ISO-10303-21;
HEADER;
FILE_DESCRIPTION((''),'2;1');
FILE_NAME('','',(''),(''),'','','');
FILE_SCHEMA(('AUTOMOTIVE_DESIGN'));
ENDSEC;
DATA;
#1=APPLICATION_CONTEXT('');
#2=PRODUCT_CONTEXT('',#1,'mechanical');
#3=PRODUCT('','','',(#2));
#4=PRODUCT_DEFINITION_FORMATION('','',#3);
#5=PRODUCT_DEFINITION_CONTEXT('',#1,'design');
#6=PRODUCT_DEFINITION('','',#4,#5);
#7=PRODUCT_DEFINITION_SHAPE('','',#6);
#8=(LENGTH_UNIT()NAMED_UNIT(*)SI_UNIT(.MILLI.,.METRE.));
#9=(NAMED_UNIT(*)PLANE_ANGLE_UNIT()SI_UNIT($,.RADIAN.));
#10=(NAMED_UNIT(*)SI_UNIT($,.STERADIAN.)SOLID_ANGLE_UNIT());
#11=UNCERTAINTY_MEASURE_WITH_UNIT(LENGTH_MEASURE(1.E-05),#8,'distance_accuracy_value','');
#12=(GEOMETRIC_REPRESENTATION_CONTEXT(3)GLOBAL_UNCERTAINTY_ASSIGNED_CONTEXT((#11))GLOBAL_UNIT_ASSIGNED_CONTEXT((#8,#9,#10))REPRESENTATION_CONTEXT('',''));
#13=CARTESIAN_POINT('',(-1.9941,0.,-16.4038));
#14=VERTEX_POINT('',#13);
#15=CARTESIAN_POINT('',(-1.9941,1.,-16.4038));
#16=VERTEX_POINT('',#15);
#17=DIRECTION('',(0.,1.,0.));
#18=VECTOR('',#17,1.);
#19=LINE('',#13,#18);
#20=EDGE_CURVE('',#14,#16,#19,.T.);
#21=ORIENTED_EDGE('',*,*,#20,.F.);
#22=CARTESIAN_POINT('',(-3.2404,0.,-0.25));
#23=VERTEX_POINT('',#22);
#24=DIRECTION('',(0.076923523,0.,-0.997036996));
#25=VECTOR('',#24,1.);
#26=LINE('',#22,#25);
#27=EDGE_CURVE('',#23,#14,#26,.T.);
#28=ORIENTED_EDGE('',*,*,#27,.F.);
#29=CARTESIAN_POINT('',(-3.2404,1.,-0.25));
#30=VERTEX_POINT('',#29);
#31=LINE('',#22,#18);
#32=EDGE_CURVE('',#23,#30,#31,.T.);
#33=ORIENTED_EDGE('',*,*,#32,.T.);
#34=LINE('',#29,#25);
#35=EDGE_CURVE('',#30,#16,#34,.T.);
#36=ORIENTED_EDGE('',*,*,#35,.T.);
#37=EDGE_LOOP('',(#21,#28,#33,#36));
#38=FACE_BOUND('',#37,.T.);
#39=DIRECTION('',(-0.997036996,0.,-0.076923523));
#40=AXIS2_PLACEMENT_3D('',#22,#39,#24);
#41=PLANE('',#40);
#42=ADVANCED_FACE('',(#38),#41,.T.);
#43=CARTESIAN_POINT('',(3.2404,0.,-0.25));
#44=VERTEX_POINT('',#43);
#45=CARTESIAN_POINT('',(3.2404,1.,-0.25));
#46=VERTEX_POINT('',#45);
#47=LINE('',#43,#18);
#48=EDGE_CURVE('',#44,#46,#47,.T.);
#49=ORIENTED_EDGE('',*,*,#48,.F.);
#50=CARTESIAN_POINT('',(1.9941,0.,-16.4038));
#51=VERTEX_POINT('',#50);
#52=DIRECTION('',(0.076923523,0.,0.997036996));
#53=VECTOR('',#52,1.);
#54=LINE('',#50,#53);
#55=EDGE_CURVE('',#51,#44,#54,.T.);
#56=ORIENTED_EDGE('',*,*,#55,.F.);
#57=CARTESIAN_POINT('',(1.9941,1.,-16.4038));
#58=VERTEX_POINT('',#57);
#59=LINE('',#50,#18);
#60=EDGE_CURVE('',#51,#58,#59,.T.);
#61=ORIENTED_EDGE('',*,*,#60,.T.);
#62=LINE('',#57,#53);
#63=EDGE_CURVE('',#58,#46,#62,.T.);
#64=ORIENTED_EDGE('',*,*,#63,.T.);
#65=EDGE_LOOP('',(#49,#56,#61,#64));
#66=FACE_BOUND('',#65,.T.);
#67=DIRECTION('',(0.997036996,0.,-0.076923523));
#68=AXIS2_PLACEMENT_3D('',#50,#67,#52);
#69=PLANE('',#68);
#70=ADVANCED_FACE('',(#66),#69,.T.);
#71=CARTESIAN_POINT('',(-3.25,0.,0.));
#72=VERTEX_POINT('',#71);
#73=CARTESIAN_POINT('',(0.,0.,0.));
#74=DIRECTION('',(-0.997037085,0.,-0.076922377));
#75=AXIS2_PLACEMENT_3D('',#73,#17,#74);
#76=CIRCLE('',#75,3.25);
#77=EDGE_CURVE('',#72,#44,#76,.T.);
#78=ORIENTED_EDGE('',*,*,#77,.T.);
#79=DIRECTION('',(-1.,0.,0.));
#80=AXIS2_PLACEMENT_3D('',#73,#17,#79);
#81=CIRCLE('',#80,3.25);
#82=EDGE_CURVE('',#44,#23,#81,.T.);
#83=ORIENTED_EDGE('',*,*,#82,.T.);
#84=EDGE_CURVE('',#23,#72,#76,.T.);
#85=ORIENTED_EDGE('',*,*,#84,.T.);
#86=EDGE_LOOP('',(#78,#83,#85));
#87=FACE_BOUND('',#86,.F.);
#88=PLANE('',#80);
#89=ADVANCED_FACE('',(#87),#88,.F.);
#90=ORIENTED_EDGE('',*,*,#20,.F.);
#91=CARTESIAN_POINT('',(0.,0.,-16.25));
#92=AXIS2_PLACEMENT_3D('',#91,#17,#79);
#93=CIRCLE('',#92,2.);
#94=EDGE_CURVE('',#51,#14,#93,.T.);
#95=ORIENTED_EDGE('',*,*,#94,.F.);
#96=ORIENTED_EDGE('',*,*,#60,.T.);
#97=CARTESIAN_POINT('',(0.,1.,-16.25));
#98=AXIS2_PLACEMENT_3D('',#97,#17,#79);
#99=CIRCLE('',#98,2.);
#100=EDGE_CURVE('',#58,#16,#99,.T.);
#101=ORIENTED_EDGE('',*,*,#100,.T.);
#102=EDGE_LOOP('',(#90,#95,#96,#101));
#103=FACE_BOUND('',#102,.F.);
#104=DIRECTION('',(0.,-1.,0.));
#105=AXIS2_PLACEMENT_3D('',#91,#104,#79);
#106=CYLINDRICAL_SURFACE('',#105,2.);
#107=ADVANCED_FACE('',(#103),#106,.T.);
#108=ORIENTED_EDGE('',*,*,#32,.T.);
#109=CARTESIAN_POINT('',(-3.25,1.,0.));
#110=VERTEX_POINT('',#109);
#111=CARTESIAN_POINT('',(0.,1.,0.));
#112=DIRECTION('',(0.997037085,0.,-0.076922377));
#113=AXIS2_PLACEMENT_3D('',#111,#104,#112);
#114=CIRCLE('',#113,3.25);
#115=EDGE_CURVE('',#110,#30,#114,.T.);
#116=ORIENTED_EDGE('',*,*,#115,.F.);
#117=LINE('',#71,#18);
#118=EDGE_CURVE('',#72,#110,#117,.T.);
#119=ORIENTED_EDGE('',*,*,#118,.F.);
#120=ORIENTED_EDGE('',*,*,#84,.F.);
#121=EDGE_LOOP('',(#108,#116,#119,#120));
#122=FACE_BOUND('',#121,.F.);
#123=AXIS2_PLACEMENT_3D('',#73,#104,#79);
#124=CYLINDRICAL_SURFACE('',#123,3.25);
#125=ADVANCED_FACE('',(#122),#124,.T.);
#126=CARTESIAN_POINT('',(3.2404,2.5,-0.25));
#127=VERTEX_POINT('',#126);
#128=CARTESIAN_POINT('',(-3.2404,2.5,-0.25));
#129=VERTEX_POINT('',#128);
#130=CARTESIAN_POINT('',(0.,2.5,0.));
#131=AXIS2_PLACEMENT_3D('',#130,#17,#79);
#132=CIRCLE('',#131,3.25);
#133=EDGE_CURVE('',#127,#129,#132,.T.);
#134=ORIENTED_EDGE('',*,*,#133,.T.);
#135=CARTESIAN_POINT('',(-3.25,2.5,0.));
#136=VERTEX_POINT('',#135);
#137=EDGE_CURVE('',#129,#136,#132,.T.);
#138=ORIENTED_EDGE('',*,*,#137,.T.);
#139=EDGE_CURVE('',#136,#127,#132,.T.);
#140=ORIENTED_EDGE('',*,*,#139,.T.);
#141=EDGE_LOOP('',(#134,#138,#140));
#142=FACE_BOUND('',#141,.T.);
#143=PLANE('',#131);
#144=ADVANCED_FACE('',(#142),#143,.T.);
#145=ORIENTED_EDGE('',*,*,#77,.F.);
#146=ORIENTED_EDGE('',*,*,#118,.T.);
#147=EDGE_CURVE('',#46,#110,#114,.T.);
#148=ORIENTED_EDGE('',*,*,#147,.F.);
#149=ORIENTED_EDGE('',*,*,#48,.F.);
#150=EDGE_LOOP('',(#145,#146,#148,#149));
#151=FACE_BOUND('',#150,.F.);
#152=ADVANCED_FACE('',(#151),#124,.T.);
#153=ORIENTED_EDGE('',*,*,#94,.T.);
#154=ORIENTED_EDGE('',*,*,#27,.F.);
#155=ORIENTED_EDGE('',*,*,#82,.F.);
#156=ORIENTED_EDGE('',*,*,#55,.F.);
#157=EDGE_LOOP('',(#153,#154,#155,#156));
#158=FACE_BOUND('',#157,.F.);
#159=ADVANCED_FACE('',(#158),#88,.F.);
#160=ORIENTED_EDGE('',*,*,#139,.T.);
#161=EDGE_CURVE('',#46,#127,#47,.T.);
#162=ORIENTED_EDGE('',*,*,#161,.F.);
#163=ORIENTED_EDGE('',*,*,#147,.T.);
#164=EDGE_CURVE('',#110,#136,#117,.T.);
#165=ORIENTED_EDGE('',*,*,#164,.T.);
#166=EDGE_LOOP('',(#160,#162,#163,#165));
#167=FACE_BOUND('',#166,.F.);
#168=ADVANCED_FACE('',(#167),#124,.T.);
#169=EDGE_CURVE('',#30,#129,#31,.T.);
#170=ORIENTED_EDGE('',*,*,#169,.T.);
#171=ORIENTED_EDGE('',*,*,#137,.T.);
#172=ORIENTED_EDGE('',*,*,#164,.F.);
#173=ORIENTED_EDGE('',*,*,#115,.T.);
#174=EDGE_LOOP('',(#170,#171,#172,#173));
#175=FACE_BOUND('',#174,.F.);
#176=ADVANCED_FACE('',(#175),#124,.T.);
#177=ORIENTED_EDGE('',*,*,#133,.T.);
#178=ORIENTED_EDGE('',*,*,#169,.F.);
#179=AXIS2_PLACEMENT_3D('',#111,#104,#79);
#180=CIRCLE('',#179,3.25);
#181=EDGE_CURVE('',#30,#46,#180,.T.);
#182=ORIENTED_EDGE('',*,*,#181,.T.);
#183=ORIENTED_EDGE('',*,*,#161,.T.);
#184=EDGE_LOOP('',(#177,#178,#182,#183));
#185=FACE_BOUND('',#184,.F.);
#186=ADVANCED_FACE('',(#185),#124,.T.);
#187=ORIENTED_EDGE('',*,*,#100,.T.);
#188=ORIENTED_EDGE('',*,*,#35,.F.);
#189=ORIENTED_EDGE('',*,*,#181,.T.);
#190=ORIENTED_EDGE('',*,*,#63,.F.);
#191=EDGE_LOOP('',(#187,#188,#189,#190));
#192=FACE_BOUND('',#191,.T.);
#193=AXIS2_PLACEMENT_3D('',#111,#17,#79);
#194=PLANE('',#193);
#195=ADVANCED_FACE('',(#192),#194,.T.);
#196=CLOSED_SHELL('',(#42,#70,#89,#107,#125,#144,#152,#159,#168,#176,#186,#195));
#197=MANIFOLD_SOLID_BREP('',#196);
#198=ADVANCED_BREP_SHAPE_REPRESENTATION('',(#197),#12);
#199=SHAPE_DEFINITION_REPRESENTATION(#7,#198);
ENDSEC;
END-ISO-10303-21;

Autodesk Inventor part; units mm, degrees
ref_plane "YZ Plane" through (0, 0, 0) normal (1, 0, 0) x (0, 1, 0)
ref_plane "XZ Plane" through (0, 0, 0) normal (0, 1, 0) x (-1, 0, 0)
ref_plane "XY Plane" through (0, 0, 0) normal (0, 0, 1) x (1, 0, 0)
sketch "Sketch1" plane through (0, 0, 0) normal (0, 1, 0) x (-1, 0, 0)
  circle A0 centre (0, 0) radius 3.25
  circle A1 centre (0, -16.25) radius 2
  line L0 (3.2404, -0.25) -> (1.9941, -16.4038)
  line L1 (-1.9941, -16.4038) -> (-3.2404, -0.25)
  dimension "d0" = 6.5
  dimension "d1" = 4
  dimension "d2" = 21.5
extrude "Extrusion1" add sketch "Sketch1" along normal blind 1
extrude "Extrusion2" add sketch "Sketch1" along normal blind 2.5 contours A0
properties part number "Servo attachment"
